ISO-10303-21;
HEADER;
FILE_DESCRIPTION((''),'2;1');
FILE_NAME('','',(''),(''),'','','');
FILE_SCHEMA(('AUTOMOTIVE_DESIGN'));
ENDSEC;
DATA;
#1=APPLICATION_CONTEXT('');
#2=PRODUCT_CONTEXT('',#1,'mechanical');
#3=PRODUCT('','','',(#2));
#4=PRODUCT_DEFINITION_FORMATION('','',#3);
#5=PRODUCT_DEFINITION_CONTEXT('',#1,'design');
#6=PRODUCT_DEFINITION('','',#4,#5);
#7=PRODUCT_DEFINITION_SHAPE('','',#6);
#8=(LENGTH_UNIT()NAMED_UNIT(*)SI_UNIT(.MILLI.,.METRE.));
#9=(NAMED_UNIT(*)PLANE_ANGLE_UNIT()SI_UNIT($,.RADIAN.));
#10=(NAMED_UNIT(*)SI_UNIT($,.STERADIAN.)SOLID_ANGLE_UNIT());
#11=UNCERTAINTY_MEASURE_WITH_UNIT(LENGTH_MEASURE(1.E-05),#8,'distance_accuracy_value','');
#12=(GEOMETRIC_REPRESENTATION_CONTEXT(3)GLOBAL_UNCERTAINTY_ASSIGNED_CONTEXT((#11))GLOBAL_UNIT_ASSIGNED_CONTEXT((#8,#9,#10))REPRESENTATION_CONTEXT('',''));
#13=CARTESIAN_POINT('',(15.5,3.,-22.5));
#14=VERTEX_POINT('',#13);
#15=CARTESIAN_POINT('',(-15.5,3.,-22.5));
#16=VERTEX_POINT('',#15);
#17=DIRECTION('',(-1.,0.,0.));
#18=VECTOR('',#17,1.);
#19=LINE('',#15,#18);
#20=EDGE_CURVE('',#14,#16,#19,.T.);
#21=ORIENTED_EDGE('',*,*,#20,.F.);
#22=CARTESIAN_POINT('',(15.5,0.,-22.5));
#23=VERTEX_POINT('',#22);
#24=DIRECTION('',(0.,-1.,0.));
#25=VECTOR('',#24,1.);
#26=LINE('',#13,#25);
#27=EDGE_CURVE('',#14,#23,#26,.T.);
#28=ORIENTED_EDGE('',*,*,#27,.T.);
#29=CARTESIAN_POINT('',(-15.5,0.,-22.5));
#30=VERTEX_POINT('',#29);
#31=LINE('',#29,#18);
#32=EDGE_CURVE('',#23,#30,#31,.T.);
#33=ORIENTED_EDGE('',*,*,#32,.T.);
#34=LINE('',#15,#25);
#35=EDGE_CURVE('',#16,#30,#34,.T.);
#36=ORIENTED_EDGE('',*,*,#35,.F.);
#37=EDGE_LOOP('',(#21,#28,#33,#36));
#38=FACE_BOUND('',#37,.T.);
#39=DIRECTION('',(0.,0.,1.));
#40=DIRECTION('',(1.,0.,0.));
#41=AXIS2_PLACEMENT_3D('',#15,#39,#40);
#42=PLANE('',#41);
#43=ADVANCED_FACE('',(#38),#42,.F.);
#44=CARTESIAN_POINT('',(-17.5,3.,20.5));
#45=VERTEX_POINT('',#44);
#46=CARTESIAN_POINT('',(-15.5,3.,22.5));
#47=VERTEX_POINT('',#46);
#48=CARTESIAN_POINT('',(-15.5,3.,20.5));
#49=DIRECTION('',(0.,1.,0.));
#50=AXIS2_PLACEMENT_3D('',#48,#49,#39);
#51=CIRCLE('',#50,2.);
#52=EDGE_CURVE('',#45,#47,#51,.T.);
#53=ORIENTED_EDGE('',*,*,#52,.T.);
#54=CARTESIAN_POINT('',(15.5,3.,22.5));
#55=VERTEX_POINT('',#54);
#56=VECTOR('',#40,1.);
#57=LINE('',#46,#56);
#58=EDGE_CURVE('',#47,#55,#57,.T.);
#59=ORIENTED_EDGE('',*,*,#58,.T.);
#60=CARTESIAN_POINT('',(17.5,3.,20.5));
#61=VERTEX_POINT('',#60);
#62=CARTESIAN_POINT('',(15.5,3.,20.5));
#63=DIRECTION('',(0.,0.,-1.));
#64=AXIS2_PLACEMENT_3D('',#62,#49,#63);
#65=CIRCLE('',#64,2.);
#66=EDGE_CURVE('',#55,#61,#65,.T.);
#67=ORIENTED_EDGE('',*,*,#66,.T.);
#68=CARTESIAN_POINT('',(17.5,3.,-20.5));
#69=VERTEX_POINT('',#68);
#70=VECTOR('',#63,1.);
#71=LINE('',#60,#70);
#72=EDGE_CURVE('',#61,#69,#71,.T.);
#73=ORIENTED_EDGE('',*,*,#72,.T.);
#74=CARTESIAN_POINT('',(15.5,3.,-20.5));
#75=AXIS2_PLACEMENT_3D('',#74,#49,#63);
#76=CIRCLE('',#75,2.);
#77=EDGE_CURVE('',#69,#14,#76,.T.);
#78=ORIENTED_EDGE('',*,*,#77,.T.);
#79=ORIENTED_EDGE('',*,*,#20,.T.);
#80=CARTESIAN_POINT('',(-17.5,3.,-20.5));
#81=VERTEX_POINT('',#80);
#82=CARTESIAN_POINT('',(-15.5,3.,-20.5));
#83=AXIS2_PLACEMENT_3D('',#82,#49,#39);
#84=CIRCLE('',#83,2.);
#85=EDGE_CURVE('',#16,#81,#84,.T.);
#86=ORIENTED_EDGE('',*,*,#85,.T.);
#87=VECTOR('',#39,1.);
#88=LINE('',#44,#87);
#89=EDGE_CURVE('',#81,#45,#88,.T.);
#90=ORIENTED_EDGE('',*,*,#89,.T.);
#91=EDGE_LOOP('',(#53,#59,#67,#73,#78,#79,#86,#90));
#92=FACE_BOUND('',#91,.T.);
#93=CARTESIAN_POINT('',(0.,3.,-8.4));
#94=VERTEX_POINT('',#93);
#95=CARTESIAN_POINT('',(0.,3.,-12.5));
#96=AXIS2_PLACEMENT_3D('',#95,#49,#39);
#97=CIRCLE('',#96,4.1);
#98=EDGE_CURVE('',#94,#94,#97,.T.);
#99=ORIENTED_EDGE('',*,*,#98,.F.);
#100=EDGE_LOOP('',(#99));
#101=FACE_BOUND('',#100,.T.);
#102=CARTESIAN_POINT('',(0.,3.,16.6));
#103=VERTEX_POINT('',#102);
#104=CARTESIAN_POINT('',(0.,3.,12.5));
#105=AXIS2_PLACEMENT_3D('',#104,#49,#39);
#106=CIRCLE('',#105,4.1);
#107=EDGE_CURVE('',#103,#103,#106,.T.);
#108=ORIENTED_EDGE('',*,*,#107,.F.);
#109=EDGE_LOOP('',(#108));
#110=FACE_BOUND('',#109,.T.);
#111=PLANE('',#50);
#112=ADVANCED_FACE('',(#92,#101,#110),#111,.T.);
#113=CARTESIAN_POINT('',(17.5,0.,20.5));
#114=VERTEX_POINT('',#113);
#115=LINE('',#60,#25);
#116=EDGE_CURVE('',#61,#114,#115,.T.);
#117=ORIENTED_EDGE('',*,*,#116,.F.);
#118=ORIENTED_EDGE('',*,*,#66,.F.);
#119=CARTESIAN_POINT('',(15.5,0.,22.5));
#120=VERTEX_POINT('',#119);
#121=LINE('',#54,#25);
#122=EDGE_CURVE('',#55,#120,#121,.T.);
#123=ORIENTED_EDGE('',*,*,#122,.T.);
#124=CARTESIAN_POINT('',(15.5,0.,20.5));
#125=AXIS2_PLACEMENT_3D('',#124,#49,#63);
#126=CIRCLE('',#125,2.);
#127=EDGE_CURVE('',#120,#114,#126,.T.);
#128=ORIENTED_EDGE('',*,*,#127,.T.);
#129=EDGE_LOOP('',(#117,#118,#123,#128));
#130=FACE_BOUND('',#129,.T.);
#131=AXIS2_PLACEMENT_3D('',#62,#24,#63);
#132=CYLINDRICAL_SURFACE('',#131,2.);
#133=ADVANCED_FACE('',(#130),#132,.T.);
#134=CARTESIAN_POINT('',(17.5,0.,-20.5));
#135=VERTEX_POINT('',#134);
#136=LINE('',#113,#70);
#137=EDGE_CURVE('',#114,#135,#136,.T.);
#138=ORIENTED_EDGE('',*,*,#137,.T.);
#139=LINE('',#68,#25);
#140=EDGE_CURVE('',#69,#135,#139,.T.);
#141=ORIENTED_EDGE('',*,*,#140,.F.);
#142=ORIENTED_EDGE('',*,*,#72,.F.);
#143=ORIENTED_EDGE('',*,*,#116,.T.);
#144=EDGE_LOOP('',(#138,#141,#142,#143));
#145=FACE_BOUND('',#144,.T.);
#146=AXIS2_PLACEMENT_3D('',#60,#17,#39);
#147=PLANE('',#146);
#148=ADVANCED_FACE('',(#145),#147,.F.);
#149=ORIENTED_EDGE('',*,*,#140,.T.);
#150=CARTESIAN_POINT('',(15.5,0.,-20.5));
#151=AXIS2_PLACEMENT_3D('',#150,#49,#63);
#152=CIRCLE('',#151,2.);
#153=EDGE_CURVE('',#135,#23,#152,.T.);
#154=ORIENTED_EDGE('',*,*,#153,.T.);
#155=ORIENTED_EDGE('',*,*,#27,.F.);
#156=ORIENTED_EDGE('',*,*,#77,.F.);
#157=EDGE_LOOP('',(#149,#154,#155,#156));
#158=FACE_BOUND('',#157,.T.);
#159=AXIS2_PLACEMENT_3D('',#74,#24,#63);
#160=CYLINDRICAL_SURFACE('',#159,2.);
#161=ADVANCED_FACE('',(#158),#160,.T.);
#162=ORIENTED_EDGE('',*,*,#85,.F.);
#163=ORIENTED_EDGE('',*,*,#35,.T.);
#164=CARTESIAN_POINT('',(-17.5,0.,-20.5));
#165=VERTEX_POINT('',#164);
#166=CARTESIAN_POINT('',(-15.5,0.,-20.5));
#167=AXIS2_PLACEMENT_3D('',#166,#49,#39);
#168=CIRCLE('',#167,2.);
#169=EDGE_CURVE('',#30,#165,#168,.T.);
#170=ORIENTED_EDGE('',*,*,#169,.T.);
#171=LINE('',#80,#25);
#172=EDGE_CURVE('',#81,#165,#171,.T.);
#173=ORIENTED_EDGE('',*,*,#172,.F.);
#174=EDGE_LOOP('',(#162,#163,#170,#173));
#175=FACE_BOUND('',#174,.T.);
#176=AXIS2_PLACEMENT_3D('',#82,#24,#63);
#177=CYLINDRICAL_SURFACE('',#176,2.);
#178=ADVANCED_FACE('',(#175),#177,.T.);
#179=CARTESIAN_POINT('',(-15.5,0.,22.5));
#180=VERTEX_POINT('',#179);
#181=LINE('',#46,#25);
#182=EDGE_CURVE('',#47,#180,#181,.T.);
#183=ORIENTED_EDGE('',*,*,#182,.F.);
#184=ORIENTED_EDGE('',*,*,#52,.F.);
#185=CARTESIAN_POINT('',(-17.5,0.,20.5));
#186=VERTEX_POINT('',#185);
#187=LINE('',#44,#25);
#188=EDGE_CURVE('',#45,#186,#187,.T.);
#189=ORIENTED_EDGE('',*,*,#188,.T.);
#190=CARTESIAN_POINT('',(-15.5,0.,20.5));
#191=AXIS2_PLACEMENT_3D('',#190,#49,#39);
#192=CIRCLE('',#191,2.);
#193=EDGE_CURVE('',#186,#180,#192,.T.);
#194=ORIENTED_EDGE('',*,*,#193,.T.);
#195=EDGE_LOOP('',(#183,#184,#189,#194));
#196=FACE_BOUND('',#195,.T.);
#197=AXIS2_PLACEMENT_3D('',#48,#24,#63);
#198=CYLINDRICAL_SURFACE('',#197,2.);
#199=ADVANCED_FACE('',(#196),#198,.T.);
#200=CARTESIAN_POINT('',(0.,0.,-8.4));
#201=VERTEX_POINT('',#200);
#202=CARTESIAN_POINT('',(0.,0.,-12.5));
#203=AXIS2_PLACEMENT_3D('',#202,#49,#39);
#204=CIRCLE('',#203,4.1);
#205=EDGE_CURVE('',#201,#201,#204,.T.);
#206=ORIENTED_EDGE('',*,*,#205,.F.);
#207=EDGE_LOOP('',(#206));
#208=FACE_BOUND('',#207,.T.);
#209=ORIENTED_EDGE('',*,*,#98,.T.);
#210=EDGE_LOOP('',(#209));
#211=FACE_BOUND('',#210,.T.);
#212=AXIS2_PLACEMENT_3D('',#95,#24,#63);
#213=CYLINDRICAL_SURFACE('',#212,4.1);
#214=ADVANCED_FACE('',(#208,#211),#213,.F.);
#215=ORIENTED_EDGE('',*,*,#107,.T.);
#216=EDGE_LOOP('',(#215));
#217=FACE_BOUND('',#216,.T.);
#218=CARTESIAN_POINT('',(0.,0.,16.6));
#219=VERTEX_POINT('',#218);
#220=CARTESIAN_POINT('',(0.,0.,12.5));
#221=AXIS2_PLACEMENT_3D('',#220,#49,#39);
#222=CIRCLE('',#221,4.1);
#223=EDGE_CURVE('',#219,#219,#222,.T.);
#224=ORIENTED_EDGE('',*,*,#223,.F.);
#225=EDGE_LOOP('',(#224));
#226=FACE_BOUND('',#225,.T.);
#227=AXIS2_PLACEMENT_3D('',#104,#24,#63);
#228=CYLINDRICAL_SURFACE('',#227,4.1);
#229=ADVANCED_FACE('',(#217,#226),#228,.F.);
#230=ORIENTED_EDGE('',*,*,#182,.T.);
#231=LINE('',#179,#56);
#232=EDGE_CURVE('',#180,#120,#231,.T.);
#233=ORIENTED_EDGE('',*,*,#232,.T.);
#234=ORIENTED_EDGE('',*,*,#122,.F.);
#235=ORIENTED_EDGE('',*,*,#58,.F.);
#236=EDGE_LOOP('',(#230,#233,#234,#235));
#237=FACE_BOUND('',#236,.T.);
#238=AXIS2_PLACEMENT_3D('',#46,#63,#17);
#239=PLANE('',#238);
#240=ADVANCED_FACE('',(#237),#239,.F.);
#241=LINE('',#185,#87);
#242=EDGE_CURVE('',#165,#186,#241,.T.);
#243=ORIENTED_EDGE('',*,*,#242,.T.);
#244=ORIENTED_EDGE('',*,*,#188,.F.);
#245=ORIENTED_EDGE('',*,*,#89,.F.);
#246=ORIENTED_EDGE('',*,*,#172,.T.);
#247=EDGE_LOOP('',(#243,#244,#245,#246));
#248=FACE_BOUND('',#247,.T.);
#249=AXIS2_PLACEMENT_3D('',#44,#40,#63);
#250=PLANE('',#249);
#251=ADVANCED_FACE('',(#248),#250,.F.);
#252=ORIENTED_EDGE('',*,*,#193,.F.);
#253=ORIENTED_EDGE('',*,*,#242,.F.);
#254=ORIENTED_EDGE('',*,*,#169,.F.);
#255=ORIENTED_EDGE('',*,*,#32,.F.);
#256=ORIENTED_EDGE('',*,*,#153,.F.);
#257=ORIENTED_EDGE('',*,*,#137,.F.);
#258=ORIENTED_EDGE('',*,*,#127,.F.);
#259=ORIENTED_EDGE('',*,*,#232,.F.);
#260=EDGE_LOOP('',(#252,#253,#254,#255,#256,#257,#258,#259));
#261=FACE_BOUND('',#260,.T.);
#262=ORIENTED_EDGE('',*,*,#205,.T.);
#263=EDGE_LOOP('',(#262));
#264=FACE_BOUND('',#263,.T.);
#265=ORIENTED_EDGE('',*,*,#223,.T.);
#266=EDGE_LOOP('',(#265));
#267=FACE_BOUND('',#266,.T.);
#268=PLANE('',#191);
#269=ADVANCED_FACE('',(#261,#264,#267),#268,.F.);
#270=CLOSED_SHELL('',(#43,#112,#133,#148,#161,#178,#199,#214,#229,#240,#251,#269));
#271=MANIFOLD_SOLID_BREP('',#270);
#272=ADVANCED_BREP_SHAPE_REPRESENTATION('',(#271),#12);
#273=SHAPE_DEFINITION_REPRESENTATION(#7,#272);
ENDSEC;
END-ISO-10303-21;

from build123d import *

# Parameters (mm, degrees)
SKETCH1_R           = 4.1
BOSS_EXTRUDE1_DEPTH = 3


with BuildPart() as part:
    # Sketch1 → Boss-Extrude1 (new body)
    with BuildSketch(Plane(origin=(0, 0, 0), x_dir=(1, 0, 0), z_dir=(0, 1, 0))):
        with BuildLine():
            Line((-15.5, -22.5), (15.5, -22.5))
            ThreePointArc((15.5, -22.5), (16.914213562, -21.914213562), (17.5, -20.5))
            Line((17.5, -20.5), (17.5, 20.5))
            ThreePointArc((17.5, 20.5), (16.914213562, 21.914213562), (15.5, 22.5))
            Line((15.5, 22.5), (-15.5, 22.5))
            ThreePointArc((-15.5, 22.5), (-16.914213562, 21.914213562), (-17.5, 20.5))
            Line((-17.5, 20.5), (-17.5, -20.5))
            ThreePointArc((-17.5, -20.5), (-16.914213562, -21.914213562), (-15.5, -22.5))
        make_face()
        with Locations(Location((0, 12.5, 0), (0, 0, 270))):
            Circle(SKETCH1_R, mode=Mode.SUBTRACT)
        with Locations(Location((0, -12.5, 0), (0, 0, 270))):
            Circle(SKETCH1_R, mode=Mode.SUBTRACT)
    extrude(amount=BOSS_EXTRUDE1_DEPTH)


solid = part.part
